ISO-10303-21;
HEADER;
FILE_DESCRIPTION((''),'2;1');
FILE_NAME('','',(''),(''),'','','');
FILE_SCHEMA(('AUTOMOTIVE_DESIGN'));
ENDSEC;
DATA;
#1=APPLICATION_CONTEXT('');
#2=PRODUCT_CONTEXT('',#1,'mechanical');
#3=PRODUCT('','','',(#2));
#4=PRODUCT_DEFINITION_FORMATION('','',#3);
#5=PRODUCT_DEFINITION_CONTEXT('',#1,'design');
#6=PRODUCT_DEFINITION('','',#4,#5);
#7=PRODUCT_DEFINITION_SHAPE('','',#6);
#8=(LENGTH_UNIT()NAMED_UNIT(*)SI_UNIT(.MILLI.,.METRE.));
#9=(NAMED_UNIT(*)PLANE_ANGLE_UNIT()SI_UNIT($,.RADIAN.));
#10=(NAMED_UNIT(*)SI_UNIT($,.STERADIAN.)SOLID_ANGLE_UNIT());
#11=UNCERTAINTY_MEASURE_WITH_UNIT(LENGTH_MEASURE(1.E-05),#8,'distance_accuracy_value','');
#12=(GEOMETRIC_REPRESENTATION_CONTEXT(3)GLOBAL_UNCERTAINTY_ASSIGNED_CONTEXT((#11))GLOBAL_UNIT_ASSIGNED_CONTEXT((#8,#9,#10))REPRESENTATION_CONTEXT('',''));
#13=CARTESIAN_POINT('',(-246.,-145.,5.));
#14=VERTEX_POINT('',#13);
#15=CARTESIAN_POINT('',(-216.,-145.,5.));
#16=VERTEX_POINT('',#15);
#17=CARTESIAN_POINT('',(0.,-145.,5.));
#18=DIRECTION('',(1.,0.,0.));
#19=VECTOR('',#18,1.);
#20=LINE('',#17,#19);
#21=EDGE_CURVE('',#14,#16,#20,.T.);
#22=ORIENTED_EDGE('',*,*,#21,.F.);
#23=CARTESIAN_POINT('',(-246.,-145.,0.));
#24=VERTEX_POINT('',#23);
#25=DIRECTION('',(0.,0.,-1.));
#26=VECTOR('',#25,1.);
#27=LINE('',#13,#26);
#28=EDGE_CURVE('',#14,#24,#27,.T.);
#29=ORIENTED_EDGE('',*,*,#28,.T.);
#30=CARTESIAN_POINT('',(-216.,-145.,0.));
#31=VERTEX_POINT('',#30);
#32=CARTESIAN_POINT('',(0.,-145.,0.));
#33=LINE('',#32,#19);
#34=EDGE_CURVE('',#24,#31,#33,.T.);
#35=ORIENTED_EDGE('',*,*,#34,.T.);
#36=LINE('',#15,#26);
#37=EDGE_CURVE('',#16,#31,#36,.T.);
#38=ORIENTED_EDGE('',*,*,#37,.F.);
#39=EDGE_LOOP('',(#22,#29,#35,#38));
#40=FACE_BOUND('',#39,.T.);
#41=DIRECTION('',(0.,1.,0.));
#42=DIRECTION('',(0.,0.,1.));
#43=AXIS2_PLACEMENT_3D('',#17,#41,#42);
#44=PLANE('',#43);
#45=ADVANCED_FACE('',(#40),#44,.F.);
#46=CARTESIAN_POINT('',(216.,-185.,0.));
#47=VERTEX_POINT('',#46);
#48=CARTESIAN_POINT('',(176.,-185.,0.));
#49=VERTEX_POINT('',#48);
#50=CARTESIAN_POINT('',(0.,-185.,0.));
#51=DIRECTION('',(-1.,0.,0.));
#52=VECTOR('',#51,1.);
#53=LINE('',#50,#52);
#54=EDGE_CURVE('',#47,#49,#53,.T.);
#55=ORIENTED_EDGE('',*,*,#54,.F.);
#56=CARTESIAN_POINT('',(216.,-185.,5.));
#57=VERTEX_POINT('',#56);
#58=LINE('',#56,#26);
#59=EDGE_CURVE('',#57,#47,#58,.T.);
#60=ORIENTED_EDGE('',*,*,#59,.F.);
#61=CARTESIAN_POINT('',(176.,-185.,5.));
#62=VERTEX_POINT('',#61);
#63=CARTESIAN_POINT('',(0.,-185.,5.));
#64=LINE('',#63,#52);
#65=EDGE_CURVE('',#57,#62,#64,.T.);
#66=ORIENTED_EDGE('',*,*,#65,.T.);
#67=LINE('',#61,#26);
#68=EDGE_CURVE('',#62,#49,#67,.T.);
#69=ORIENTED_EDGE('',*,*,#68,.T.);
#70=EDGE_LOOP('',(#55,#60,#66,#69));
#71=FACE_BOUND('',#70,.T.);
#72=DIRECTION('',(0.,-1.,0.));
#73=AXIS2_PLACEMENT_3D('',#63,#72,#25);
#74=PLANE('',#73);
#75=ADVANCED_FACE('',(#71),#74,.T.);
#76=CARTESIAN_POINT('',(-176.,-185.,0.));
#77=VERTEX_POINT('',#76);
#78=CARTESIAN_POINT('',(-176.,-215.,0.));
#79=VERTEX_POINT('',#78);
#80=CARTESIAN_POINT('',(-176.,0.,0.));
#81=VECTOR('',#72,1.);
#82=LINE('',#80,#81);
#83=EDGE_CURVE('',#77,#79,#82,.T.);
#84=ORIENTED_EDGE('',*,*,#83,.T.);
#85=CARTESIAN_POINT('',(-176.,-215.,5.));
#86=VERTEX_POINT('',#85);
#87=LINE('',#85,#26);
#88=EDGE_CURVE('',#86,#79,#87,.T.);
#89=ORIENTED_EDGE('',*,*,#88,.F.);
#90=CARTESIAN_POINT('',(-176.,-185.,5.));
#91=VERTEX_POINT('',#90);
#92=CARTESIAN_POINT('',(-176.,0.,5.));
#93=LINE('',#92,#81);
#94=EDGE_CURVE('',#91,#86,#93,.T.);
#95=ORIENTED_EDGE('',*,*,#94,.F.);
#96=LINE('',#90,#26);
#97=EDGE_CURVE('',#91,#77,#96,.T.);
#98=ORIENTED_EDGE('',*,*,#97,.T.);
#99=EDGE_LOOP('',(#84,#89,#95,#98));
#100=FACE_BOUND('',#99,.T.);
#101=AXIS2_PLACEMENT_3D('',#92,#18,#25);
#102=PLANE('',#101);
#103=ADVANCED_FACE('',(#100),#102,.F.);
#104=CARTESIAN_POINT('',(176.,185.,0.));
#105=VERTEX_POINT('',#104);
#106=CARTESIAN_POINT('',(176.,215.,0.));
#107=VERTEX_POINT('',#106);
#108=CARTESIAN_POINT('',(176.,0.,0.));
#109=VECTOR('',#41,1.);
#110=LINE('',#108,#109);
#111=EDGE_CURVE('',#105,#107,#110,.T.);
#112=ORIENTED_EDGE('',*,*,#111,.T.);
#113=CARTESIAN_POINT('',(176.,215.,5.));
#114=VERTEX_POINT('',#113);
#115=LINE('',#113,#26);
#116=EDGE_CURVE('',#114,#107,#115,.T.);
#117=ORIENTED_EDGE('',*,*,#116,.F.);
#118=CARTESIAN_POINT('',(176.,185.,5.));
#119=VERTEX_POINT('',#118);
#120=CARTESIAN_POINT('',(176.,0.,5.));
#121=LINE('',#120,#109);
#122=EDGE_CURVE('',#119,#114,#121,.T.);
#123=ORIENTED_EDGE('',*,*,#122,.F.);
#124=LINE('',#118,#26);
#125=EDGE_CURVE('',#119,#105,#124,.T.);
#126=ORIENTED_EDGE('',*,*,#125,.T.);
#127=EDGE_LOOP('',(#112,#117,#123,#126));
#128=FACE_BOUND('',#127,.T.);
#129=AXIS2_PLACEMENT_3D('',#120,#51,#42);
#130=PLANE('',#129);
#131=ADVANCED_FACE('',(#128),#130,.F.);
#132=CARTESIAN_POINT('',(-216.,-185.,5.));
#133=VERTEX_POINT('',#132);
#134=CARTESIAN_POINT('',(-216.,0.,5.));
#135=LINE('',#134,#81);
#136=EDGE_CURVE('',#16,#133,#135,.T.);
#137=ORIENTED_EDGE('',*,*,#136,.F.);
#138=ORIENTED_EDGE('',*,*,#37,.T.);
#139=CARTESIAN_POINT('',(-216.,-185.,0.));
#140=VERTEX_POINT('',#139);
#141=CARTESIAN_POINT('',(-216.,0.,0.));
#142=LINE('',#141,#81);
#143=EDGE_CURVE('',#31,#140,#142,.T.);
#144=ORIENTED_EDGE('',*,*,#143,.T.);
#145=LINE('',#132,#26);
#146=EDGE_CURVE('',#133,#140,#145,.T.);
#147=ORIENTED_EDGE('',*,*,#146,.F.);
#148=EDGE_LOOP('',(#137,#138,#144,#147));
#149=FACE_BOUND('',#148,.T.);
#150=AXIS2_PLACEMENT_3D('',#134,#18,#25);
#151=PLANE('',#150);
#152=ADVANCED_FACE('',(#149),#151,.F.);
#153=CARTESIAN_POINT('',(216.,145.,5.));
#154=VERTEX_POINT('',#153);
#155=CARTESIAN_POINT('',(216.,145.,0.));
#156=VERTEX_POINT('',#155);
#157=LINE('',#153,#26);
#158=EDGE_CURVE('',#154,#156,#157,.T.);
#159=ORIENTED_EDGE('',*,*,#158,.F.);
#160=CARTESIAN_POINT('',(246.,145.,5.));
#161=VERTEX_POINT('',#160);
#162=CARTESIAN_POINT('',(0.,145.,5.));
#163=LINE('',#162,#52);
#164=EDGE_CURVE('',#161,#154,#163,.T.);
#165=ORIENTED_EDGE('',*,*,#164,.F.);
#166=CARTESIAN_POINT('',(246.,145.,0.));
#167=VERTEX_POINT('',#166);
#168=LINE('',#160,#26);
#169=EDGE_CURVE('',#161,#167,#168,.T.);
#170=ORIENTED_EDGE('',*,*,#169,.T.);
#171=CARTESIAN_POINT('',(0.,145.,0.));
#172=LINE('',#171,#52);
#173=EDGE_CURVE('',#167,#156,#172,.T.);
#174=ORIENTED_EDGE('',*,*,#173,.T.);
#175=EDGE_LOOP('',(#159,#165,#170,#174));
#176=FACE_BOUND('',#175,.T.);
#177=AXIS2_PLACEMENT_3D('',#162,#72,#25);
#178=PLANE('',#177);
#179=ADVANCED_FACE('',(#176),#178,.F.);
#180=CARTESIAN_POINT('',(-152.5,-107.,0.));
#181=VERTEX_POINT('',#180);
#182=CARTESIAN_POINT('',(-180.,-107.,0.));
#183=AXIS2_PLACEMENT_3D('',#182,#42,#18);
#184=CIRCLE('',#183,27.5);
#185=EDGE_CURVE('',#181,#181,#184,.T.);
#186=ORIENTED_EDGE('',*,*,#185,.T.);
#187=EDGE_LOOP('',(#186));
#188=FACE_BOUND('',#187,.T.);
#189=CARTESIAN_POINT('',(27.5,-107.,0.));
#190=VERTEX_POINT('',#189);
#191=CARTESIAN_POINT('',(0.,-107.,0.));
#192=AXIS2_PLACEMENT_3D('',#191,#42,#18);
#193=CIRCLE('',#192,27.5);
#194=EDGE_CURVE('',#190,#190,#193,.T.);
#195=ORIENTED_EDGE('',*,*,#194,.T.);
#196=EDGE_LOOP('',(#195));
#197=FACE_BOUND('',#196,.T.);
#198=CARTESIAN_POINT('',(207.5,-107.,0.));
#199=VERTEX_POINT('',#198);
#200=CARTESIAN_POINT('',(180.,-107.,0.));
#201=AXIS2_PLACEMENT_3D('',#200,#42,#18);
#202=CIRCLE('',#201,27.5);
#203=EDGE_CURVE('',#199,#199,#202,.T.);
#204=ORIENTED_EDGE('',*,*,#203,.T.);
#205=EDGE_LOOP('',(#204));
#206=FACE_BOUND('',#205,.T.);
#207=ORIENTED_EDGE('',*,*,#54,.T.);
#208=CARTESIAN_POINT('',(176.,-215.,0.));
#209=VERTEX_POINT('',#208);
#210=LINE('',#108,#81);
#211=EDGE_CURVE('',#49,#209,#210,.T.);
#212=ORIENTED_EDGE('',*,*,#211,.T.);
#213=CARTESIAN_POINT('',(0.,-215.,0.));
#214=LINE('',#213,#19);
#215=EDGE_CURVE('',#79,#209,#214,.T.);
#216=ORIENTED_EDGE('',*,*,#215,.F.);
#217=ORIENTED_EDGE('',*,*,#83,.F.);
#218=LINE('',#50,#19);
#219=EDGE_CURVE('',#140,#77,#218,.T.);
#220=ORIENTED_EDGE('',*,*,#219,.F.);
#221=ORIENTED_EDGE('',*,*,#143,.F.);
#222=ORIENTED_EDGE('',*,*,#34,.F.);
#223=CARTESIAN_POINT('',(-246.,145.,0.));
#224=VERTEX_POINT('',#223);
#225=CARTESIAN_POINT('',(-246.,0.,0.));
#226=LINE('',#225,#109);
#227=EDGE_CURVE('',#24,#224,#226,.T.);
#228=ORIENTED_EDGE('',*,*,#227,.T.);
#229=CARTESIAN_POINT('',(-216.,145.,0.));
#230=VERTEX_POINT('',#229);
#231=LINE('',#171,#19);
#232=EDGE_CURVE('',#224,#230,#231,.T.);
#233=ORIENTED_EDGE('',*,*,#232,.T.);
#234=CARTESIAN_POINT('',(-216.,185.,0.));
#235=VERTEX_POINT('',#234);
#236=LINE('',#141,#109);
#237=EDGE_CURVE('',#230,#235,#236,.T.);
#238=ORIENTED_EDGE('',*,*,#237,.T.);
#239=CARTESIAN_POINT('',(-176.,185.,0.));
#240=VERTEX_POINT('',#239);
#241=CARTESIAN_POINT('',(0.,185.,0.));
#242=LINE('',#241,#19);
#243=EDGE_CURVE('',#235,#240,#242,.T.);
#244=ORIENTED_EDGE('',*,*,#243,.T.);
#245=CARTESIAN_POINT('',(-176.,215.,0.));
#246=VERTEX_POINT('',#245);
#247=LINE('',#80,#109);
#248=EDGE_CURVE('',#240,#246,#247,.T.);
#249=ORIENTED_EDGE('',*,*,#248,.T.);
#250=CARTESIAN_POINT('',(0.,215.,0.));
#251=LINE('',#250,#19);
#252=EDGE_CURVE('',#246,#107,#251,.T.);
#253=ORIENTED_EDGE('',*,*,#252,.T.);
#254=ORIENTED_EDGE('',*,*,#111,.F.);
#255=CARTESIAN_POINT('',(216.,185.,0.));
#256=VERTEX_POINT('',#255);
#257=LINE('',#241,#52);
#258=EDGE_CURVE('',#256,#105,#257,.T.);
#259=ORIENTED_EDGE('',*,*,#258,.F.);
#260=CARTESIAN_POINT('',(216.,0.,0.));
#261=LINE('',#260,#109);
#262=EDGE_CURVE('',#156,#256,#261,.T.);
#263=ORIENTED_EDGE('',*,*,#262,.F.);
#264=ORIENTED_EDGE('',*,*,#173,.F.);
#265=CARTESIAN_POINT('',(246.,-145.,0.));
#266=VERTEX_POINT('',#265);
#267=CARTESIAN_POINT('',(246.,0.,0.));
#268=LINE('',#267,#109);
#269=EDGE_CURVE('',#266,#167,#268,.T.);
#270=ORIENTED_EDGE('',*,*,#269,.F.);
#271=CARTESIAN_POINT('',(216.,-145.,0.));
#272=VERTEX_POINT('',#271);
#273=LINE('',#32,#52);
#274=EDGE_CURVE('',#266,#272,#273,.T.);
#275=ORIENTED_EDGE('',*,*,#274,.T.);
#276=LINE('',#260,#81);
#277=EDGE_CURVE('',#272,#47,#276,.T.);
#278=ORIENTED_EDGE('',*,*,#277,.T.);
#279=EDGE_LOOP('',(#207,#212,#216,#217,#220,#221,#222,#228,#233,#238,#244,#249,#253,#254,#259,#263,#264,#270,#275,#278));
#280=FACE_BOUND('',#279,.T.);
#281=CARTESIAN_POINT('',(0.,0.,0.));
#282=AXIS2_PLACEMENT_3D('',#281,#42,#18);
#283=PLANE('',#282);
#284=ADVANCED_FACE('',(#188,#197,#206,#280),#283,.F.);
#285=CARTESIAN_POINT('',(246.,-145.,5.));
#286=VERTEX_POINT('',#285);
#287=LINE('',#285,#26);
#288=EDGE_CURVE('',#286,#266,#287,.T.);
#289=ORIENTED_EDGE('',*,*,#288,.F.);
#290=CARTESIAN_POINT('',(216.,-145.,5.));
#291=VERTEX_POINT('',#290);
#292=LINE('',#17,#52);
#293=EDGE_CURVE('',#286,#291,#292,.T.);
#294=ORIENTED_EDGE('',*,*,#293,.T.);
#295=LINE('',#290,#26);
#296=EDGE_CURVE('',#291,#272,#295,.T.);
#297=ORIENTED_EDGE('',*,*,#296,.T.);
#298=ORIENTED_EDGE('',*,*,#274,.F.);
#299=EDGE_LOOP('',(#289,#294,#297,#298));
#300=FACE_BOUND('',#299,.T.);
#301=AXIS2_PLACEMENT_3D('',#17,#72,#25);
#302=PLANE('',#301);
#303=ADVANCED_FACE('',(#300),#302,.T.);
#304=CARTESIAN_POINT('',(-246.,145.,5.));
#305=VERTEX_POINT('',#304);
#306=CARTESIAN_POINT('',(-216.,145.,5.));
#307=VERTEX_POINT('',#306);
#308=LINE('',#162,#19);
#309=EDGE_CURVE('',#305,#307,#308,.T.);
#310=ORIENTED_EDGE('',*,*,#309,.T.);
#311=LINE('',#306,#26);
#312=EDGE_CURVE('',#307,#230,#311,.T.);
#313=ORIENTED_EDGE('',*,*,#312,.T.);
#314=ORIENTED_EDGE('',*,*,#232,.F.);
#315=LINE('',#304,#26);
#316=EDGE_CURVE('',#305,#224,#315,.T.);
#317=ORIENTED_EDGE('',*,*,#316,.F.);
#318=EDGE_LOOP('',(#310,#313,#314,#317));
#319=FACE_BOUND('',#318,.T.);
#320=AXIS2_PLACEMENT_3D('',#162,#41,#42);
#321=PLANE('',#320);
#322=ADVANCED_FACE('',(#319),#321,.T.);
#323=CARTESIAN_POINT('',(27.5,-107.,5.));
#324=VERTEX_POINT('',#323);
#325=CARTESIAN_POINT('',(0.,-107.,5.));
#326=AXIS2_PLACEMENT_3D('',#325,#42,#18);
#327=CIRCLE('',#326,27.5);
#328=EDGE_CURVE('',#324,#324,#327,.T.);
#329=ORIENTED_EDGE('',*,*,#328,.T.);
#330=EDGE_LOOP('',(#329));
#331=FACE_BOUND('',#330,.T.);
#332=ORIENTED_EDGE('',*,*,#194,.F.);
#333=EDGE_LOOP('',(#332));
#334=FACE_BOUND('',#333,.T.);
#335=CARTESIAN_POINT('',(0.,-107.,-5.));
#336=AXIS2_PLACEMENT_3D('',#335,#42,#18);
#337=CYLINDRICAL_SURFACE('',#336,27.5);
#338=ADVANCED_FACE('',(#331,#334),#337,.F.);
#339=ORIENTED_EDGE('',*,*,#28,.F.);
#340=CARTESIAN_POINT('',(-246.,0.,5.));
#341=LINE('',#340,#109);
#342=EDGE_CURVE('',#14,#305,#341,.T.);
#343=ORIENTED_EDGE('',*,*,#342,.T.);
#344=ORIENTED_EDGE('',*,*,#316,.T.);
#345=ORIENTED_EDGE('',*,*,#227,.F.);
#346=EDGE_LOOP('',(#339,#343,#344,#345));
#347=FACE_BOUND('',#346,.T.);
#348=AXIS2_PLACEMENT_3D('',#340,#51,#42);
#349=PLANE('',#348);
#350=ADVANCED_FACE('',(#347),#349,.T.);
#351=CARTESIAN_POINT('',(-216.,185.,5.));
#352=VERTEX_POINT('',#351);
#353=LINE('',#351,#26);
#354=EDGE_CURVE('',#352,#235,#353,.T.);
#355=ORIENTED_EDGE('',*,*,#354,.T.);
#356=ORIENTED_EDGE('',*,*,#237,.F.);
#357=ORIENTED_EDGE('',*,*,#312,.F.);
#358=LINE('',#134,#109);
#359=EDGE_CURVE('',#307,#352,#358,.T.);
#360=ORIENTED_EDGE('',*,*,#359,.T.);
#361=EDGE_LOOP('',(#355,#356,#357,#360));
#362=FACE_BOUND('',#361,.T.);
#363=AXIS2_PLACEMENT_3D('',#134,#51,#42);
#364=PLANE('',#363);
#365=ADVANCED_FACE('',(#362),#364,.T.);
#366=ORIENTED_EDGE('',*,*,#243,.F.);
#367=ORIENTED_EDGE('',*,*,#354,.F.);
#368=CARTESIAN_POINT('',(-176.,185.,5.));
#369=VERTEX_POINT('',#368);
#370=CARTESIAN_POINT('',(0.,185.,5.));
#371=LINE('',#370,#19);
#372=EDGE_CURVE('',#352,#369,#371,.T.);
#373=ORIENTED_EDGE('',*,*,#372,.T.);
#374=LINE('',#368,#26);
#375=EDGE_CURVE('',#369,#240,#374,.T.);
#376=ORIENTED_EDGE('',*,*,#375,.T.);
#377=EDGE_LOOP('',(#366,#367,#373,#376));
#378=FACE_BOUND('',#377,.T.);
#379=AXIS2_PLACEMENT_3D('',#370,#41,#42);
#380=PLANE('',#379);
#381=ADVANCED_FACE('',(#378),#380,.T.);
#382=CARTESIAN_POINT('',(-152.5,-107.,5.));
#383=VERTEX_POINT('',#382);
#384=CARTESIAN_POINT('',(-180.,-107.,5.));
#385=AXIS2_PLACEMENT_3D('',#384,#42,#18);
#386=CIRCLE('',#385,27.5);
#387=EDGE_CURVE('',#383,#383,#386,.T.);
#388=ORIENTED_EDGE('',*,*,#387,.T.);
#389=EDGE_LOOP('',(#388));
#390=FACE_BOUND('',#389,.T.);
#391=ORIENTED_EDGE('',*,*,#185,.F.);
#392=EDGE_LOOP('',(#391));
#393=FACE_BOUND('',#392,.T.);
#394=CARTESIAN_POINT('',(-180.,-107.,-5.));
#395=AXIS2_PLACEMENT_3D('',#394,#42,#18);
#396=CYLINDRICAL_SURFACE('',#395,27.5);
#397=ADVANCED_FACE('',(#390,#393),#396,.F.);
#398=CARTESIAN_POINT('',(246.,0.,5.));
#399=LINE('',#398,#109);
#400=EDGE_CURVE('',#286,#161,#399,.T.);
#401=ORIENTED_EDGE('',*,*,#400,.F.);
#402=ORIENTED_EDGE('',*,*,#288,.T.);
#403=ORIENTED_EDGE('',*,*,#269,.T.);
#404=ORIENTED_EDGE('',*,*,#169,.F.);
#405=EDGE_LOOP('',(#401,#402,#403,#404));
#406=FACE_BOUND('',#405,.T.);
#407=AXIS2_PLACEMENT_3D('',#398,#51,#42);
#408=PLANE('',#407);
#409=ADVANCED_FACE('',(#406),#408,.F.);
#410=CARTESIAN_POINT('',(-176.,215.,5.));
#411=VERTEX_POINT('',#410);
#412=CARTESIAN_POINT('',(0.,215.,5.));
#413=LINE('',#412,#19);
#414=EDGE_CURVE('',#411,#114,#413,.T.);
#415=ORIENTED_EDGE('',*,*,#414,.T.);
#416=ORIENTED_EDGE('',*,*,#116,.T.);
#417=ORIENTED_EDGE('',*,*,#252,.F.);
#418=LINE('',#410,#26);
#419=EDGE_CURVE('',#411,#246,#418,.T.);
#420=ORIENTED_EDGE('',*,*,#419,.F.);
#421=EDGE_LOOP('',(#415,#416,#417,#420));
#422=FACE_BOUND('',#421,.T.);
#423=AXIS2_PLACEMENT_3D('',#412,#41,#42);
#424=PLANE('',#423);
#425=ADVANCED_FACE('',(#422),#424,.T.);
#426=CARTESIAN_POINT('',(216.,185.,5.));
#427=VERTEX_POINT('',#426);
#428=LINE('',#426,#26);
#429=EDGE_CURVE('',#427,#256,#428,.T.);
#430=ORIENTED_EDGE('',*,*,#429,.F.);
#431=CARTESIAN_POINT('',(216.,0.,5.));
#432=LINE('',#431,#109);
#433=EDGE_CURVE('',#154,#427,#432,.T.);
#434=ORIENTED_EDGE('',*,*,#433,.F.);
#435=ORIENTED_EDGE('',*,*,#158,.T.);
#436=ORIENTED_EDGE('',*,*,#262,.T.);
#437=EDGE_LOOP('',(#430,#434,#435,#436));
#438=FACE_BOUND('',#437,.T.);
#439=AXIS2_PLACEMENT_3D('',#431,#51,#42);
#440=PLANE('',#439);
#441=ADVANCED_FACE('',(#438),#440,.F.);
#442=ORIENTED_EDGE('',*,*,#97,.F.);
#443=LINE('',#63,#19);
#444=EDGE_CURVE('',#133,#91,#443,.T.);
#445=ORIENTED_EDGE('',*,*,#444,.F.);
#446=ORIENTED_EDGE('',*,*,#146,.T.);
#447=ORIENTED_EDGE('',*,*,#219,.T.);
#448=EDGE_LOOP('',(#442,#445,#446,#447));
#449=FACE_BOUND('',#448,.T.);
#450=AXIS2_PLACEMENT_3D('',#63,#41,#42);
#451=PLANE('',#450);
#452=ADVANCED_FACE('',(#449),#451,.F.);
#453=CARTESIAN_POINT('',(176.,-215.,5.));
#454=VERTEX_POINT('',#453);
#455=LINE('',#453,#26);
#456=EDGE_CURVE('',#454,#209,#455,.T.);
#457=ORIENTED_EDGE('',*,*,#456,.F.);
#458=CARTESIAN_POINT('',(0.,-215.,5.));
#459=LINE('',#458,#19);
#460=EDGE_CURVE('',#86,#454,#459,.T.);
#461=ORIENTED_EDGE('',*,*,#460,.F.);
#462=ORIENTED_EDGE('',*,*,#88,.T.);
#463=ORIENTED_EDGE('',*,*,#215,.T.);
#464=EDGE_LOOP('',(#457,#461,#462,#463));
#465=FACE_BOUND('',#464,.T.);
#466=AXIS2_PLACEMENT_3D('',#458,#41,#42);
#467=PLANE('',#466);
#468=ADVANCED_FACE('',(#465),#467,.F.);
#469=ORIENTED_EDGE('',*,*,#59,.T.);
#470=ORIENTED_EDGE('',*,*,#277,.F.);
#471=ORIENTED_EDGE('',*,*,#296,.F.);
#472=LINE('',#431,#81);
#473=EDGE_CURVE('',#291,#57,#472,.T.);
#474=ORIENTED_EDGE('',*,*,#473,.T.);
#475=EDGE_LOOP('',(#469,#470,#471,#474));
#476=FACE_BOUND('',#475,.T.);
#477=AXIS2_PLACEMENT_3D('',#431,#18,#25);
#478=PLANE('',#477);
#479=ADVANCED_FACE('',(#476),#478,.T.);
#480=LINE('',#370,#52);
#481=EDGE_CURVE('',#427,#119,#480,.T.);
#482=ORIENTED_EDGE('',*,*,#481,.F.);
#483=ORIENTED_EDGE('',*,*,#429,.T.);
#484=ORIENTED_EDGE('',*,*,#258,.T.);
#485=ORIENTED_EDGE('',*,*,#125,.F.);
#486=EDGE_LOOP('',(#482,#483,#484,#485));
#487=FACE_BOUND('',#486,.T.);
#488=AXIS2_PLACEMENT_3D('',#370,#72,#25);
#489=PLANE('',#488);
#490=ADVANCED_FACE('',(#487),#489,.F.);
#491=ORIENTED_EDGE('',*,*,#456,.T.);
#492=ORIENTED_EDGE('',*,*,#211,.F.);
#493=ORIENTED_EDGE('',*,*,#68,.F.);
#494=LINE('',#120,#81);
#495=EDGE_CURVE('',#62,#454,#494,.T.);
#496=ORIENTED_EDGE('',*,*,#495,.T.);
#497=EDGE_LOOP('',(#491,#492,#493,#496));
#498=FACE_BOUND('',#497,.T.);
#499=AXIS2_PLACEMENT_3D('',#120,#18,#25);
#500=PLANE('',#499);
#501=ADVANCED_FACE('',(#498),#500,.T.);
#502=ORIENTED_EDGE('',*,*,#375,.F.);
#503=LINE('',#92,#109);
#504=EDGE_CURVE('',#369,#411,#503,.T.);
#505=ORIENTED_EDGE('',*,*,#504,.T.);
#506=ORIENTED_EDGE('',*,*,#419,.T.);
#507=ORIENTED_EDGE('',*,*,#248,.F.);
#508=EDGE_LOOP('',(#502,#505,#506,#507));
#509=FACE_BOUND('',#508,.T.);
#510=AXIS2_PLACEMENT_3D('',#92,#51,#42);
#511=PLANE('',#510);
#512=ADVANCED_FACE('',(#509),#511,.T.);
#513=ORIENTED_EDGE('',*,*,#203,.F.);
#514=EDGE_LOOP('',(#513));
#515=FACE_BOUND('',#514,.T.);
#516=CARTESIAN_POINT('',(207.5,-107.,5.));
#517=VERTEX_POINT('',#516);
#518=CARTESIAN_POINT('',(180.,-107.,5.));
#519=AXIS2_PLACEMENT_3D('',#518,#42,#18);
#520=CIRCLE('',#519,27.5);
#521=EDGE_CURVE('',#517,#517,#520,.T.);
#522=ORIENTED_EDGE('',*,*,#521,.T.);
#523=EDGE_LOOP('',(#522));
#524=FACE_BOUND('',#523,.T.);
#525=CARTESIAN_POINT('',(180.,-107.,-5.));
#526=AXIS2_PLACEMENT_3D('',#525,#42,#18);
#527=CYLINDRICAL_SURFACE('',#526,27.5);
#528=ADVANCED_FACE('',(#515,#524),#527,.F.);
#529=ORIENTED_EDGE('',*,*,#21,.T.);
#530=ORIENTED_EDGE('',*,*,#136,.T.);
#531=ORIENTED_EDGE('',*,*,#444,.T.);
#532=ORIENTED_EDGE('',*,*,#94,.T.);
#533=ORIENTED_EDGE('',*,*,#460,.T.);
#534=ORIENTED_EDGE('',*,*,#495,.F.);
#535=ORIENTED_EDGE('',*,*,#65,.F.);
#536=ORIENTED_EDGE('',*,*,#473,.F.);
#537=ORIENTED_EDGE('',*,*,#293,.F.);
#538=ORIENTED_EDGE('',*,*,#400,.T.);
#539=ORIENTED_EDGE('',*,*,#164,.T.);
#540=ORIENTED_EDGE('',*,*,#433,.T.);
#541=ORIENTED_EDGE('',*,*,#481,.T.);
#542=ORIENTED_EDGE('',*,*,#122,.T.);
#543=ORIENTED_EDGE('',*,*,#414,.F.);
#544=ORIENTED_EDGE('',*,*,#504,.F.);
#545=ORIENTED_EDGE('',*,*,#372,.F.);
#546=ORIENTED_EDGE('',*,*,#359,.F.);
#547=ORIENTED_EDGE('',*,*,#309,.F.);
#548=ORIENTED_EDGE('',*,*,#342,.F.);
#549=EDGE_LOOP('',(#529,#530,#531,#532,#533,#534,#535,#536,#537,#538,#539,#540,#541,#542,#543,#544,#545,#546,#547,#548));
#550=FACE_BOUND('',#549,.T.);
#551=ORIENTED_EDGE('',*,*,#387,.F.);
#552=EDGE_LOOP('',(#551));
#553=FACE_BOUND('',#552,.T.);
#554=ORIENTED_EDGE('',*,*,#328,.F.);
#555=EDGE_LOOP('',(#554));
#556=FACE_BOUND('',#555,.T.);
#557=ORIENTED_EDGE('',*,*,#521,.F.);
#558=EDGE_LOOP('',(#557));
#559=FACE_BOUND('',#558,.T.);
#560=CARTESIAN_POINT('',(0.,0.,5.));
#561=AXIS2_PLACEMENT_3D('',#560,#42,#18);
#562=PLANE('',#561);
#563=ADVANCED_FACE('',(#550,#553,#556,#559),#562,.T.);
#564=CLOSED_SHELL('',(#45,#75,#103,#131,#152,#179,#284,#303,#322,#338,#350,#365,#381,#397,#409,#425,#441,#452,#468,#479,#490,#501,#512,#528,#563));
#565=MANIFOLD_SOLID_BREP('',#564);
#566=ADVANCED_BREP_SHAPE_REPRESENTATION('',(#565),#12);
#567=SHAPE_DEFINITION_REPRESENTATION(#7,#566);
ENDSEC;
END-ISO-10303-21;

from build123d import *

# Parameters (mm, degrees)
SALIENTE_EXTRUIR1_DEPTH = 5
CROQUIS2_R              = 27.5
CORTAR_EXTRUIR1_DEPTH   = 10


with BuildPart() as part:
    # Croquis1 → Saliente-Extruir1 (new body)
    with BuildSketch(Plane.XY):
        Polygon((0, 215), (0, 0), (246, 0), (246, 145), (216, 145), (216, 185), (176, 185), (176, 215), align=None)
        Polygon((-246, 145), (-246, 0), (0, 0), (0, 215), (-176, 215), (-176, 185), (-216, 185), (-216, 145), align=None)
        Polygon((0, 0), (-246, 0), (-246, -145), (-216, -145), (-216, -185), (-176, -185), (-176, -215), (176, -215), (176, -185), (216, -185), (216, -145), (246, -145), (246, 0), align=None)
    extrude(amount=SALIENTE_EXTRUIR1_DEPTH)

    # Croquis2 → Cortar-Extruir1 (cut)
    with BuildSketch(Plane.XY.offset(5)):
        with Locations((-180, -107)):
            Circle(CROQUIS2_R)
        with Locations((0, -107)):
            Circle(CROQUIS2_R)
        with Locations((180, -107)):
            Circle(CROQUIS2_R)
    extrude(amount=-CORTAR_EXTRUIR1_DEPTH, mode=Mode.SUBTRACT)


solid = part.part
